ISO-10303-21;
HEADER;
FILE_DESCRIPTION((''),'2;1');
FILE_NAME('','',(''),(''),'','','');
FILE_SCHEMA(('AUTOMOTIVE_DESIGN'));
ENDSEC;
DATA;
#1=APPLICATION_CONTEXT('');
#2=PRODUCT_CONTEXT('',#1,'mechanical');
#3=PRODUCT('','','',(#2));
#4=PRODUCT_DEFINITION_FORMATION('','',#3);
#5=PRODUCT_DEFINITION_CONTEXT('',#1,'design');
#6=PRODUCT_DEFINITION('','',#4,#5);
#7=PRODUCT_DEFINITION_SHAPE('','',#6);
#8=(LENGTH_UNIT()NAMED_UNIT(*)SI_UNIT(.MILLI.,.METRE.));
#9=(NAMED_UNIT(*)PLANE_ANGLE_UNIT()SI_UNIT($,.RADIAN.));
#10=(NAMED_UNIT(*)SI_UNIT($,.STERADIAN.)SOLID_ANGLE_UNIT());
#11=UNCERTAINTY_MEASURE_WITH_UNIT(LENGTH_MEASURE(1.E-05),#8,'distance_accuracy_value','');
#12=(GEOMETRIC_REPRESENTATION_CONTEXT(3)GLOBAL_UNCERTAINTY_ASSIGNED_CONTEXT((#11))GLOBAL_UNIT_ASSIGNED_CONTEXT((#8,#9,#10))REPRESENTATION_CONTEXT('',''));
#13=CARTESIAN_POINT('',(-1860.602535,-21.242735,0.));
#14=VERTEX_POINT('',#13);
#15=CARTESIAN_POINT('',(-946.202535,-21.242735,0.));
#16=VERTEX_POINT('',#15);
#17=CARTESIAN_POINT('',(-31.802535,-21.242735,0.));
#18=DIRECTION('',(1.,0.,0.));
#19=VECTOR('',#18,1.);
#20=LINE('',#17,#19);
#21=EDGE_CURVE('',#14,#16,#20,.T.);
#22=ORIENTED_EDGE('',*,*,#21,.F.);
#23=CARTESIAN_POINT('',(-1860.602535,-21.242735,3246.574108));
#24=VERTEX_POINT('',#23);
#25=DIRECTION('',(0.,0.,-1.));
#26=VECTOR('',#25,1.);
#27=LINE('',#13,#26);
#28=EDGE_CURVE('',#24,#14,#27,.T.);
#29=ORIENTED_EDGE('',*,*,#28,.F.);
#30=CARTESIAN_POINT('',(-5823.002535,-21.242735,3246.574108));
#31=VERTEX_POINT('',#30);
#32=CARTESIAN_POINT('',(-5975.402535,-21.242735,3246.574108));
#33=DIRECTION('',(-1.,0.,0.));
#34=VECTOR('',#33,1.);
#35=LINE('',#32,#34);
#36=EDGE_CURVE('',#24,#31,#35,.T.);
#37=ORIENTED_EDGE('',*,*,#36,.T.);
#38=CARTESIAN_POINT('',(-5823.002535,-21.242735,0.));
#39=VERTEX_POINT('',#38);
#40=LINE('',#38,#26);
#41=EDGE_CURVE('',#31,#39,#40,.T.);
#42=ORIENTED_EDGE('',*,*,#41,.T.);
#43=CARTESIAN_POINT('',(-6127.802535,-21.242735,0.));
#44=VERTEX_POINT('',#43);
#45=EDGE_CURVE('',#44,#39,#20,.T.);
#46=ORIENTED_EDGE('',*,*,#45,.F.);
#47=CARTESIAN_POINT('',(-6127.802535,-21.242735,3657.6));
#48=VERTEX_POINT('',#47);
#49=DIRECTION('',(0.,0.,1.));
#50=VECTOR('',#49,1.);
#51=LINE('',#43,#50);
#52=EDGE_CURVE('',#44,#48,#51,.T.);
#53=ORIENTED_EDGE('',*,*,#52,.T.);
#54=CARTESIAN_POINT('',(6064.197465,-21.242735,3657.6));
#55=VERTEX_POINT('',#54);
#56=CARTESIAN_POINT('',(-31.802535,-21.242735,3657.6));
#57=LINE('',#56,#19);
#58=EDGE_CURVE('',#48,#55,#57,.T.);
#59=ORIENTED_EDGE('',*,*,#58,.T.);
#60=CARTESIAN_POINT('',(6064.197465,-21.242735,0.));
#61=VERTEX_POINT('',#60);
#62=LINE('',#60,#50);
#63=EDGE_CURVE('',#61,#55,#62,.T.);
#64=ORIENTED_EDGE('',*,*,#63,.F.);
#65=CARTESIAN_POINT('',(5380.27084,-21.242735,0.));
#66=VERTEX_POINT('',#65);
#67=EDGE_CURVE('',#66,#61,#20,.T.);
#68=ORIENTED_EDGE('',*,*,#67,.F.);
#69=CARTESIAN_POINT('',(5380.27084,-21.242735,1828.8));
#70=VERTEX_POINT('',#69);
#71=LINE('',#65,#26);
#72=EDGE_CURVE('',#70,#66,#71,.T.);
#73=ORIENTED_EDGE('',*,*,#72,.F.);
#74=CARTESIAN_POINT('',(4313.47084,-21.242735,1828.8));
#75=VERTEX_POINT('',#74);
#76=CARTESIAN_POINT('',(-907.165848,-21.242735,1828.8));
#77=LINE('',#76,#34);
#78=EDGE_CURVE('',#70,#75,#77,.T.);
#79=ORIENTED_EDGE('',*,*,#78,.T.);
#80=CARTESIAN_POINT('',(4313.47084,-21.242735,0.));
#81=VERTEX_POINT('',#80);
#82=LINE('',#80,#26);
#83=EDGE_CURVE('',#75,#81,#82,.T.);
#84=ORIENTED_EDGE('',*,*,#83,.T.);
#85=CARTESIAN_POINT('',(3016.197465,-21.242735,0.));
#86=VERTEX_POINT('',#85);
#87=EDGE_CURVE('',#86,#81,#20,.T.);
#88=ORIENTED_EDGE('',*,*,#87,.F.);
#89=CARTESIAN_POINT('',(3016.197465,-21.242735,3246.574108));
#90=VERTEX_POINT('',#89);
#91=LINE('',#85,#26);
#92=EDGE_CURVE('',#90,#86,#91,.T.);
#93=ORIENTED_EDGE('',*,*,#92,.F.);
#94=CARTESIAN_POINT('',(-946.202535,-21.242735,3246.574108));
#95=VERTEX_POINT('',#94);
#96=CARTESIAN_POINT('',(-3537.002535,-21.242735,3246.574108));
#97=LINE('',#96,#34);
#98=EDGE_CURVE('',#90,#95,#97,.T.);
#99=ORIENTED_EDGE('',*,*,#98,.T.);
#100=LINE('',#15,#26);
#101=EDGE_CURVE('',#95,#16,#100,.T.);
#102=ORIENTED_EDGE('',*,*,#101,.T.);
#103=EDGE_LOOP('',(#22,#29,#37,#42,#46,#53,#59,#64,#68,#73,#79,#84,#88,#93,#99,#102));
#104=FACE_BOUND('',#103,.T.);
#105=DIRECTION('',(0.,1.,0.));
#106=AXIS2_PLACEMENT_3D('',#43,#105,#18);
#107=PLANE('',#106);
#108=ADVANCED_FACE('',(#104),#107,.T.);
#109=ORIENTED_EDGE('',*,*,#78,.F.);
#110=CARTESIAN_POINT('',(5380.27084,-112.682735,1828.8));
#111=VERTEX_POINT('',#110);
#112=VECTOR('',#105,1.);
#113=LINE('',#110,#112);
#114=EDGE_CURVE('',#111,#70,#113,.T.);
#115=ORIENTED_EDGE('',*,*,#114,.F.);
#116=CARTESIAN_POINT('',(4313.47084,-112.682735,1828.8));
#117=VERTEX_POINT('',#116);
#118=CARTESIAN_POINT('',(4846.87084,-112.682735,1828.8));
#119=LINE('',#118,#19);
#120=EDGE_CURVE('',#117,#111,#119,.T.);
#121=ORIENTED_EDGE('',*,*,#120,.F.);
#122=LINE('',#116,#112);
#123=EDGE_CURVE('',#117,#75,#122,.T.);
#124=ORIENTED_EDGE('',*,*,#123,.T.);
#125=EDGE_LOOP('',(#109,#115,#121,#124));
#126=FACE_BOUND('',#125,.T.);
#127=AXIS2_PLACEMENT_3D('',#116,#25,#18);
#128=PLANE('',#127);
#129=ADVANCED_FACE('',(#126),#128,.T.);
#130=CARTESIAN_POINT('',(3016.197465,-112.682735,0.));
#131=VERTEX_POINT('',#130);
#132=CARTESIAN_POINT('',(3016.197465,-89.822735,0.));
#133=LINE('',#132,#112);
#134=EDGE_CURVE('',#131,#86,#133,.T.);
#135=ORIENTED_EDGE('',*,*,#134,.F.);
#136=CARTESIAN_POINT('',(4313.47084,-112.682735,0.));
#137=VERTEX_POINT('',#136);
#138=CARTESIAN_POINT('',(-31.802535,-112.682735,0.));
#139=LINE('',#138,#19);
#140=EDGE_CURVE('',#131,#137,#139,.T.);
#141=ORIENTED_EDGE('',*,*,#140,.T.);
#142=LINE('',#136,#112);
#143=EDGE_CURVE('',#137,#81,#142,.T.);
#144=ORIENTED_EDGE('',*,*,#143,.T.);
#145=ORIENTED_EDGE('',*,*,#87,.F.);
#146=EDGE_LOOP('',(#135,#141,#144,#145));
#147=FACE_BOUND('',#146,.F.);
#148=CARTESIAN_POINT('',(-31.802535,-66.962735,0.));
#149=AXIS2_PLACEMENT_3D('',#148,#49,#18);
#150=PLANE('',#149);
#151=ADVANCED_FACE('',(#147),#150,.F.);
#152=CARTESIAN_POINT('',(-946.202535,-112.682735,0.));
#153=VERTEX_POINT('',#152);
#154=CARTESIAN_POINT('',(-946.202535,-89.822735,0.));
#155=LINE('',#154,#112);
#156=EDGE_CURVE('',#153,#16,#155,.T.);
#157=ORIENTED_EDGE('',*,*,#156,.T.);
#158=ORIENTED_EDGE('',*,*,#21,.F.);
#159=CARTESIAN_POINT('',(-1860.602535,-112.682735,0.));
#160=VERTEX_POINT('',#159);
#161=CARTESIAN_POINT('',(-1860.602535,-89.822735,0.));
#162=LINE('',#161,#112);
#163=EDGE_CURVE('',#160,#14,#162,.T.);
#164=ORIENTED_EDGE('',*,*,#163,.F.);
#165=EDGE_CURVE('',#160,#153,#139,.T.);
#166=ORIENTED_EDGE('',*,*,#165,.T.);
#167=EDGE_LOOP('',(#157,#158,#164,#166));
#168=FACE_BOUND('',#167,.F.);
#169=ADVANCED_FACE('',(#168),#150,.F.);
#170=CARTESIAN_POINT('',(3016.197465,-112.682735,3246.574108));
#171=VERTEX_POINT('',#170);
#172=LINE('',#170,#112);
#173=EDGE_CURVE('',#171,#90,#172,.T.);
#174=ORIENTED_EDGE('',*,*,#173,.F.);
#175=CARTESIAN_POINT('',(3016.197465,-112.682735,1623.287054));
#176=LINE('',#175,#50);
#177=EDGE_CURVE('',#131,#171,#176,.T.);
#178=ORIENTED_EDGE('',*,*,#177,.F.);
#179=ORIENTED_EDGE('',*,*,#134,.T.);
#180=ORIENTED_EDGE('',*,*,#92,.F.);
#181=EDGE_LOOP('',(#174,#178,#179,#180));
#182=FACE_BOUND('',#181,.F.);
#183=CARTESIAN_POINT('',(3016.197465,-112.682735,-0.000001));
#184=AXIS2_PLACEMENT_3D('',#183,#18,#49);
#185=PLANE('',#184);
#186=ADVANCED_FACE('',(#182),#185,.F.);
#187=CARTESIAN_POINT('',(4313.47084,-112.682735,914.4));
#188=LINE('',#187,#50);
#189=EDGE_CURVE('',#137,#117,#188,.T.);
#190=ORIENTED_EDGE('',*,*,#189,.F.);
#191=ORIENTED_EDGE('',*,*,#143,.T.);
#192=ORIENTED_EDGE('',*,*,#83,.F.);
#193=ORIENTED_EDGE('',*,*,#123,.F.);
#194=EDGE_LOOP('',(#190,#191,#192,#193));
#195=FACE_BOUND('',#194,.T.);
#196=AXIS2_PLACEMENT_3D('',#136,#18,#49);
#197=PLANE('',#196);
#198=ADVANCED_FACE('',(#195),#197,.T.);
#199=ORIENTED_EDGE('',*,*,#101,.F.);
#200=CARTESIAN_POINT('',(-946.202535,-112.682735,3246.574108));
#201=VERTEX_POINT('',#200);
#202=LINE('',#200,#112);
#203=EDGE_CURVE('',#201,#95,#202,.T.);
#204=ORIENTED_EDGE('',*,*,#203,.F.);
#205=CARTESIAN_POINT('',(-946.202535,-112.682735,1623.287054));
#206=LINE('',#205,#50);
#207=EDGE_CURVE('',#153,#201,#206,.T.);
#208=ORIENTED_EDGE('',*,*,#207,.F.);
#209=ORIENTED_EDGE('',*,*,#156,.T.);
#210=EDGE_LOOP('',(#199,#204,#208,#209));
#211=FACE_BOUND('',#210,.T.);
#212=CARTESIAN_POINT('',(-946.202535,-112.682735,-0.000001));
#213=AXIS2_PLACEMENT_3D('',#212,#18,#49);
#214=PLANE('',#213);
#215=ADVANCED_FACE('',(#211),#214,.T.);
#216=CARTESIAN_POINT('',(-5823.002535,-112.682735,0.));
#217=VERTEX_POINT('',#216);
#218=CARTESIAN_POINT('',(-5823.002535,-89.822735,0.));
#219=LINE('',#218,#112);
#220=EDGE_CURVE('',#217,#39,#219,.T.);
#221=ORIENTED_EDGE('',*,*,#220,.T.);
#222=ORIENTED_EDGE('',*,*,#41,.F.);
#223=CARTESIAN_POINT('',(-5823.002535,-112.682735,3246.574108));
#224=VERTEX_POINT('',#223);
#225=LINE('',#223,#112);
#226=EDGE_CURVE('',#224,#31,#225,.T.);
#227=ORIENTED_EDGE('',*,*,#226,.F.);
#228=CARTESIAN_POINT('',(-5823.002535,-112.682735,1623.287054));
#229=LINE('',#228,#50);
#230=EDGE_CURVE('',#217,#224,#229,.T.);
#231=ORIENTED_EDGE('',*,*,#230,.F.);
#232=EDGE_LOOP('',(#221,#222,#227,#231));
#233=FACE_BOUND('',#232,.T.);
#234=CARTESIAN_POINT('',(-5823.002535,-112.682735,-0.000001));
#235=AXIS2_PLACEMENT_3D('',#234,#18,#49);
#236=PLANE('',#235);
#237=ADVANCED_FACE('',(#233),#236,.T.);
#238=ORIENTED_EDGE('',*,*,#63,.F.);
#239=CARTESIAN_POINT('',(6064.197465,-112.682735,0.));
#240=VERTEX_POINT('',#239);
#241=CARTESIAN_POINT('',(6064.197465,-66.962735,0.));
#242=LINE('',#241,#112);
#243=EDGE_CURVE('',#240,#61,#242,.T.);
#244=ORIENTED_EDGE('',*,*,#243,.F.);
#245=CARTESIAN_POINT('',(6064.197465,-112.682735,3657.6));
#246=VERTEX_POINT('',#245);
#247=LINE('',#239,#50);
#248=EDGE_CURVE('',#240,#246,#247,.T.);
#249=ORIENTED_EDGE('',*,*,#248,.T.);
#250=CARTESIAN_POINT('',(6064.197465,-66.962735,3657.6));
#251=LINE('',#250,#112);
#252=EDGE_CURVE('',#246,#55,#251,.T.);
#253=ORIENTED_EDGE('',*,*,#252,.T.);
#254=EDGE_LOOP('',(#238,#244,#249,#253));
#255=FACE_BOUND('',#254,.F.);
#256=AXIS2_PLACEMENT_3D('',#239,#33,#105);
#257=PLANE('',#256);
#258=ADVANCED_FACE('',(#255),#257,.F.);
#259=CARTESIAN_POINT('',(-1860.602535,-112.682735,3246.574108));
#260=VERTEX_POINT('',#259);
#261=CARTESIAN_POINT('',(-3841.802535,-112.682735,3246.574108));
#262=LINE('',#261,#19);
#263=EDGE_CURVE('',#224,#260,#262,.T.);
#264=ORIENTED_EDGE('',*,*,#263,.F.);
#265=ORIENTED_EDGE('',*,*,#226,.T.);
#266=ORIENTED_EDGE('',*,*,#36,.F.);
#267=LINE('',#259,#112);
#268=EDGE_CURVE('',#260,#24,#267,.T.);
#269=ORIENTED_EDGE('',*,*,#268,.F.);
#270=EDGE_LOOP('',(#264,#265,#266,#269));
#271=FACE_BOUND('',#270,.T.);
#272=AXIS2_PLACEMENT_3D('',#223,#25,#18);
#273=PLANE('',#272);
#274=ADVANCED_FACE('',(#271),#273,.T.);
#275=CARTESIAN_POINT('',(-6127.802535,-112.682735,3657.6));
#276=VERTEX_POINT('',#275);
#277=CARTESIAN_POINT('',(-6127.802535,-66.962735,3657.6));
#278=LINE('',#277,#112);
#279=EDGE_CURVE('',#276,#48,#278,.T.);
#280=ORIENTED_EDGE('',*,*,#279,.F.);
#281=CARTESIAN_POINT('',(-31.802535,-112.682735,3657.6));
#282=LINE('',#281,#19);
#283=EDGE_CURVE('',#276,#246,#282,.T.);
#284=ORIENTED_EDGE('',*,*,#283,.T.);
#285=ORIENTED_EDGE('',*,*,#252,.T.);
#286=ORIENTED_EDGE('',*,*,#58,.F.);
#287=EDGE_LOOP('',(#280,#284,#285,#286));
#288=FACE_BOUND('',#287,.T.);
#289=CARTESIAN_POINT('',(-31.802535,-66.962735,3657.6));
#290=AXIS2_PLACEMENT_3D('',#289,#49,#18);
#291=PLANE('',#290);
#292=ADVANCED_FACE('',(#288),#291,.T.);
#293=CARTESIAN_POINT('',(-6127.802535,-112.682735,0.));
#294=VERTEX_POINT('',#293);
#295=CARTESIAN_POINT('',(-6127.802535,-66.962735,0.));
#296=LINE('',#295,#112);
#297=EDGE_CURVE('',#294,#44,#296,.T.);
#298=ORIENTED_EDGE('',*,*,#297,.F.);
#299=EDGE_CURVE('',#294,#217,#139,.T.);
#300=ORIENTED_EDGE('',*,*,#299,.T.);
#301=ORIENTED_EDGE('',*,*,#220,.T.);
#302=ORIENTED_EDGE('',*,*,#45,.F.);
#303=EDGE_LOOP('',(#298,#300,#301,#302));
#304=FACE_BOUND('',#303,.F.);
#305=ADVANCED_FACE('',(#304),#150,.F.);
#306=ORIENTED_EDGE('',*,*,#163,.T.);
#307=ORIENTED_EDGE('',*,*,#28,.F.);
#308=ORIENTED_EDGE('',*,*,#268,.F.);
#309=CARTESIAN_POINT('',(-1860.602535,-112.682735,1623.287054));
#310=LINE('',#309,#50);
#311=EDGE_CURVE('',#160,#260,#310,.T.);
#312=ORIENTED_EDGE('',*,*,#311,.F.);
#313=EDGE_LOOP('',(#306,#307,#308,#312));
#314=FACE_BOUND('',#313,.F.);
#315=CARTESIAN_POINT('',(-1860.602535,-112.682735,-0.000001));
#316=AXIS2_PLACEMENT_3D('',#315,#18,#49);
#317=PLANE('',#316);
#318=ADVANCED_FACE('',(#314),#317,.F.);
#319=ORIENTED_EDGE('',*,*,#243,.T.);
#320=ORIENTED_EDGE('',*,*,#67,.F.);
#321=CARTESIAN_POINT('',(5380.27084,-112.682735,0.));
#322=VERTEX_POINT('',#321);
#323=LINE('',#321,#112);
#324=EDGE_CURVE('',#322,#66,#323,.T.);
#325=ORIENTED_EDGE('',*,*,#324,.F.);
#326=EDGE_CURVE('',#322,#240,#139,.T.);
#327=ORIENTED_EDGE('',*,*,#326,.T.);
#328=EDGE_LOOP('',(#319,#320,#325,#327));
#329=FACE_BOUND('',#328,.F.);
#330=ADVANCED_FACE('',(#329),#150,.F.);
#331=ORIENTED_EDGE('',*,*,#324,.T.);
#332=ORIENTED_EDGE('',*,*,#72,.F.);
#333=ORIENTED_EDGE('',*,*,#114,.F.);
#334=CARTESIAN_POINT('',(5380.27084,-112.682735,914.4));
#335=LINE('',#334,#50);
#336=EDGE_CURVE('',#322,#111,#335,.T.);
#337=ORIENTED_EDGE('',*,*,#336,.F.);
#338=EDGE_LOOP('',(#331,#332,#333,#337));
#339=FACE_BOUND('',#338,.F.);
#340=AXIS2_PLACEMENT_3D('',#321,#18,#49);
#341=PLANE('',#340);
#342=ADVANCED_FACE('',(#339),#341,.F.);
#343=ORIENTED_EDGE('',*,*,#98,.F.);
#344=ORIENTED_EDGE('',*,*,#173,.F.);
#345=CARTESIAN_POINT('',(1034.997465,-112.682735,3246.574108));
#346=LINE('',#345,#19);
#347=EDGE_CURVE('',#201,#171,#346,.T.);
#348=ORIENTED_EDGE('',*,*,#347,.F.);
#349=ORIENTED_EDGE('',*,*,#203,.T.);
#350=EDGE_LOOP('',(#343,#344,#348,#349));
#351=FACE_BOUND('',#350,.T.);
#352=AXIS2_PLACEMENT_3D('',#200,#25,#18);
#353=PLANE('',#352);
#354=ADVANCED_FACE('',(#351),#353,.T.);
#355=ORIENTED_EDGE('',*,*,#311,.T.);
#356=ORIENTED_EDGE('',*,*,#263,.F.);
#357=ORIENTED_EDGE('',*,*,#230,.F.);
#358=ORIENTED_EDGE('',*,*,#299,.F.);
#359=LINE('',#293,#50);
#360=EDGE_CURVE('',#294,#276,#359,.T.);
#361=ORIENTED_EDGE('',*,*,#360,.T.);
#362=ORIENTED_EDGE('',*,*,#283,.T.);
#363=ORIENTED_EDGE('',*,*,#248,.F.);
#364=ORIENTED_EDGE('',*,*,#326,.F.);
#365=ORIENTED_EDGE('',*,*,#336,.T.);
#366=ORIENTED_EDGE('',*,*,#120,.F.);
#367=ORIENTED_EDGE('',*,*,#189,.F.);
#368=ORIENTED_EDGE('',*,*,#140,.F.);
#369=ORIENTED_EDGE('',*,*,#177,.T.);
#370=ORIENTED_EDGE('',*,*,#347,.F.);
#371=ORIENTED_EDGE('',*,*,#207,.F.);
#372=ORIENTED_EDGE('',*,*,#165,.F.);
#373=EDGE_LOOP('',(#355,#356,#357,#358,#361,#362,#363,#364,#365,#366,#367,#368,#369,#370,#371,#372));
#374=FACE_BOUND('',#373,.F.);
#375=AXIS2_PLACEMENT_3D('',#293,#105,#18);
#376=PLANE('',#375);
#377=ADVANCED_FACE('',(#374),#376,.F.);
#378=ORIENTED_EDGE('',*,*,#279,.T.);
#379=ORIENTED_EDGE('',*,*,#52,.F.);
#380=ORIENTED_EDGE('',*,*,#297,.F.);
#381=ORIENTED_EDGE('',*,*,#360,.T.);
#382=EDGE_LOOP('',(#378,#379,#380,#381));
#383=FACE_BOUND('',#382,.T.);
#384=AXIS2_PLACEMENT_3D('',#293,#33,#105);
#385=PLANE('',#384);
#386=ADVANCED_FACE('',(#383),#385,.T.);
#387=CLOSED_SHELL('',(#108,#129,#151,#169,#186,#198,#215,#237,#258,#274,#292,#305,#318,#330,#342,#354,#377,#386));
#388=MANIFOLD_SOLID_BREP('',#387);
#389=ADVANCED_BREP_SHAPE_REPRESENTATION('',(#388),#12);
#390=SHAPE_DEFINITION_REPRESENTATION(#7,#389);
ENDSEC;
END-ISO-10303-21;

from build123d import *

# Parameters (mm, degrees)
F0_W     = 12192
F0_H     = 91.44
F1_DEPTH = 3657.6
F2_W     = 3962.4
F2_H     = 3246.574109
F3_DEPTH = 1676.4
F2_W_2   = 1066.8
F2_H_2   = 1828.8
F4_DEPTH = 1862.328


with BuildPart() as f1:
    # F0 (on Top) → F1 (new body)
    with BuildSketch(Plane.XY):
        with Locations((-31.802535, -66.962735)):
            Rectangle(F0_W, F0_H)
    extrude(amount=F1_DEPTH)

    # F2 (on face) → F3 (cut)
    with BuildSketch(Plane.XZ.offset(112.682735)):
        with Locations((1034.997465, 1623.287054)):
            Rectangle(F2_W, F2_H)
    extrude(amount=-F3_DEPTH, mode=Mode.SUBTRACT)

    # F2 (on face) → F4 (cut)
    with BuildSketch(Plane.XZ.offset(112.682735)):
        with Locations((-3841.802535, 1623.287054)):
            Rectangle(F2_W, F2_H)
        with Locations((1034.997465, 1623.287054)):
            Rectangle(F2_W, F2_H)
        with Locations((4846.87084, 914.4)):
            Rectangle(F2_W_2, F2_H_2)
    extrude(amount=-F4_DEPTH, mode=Mode.SUBTRACT)


solid = f1.part
